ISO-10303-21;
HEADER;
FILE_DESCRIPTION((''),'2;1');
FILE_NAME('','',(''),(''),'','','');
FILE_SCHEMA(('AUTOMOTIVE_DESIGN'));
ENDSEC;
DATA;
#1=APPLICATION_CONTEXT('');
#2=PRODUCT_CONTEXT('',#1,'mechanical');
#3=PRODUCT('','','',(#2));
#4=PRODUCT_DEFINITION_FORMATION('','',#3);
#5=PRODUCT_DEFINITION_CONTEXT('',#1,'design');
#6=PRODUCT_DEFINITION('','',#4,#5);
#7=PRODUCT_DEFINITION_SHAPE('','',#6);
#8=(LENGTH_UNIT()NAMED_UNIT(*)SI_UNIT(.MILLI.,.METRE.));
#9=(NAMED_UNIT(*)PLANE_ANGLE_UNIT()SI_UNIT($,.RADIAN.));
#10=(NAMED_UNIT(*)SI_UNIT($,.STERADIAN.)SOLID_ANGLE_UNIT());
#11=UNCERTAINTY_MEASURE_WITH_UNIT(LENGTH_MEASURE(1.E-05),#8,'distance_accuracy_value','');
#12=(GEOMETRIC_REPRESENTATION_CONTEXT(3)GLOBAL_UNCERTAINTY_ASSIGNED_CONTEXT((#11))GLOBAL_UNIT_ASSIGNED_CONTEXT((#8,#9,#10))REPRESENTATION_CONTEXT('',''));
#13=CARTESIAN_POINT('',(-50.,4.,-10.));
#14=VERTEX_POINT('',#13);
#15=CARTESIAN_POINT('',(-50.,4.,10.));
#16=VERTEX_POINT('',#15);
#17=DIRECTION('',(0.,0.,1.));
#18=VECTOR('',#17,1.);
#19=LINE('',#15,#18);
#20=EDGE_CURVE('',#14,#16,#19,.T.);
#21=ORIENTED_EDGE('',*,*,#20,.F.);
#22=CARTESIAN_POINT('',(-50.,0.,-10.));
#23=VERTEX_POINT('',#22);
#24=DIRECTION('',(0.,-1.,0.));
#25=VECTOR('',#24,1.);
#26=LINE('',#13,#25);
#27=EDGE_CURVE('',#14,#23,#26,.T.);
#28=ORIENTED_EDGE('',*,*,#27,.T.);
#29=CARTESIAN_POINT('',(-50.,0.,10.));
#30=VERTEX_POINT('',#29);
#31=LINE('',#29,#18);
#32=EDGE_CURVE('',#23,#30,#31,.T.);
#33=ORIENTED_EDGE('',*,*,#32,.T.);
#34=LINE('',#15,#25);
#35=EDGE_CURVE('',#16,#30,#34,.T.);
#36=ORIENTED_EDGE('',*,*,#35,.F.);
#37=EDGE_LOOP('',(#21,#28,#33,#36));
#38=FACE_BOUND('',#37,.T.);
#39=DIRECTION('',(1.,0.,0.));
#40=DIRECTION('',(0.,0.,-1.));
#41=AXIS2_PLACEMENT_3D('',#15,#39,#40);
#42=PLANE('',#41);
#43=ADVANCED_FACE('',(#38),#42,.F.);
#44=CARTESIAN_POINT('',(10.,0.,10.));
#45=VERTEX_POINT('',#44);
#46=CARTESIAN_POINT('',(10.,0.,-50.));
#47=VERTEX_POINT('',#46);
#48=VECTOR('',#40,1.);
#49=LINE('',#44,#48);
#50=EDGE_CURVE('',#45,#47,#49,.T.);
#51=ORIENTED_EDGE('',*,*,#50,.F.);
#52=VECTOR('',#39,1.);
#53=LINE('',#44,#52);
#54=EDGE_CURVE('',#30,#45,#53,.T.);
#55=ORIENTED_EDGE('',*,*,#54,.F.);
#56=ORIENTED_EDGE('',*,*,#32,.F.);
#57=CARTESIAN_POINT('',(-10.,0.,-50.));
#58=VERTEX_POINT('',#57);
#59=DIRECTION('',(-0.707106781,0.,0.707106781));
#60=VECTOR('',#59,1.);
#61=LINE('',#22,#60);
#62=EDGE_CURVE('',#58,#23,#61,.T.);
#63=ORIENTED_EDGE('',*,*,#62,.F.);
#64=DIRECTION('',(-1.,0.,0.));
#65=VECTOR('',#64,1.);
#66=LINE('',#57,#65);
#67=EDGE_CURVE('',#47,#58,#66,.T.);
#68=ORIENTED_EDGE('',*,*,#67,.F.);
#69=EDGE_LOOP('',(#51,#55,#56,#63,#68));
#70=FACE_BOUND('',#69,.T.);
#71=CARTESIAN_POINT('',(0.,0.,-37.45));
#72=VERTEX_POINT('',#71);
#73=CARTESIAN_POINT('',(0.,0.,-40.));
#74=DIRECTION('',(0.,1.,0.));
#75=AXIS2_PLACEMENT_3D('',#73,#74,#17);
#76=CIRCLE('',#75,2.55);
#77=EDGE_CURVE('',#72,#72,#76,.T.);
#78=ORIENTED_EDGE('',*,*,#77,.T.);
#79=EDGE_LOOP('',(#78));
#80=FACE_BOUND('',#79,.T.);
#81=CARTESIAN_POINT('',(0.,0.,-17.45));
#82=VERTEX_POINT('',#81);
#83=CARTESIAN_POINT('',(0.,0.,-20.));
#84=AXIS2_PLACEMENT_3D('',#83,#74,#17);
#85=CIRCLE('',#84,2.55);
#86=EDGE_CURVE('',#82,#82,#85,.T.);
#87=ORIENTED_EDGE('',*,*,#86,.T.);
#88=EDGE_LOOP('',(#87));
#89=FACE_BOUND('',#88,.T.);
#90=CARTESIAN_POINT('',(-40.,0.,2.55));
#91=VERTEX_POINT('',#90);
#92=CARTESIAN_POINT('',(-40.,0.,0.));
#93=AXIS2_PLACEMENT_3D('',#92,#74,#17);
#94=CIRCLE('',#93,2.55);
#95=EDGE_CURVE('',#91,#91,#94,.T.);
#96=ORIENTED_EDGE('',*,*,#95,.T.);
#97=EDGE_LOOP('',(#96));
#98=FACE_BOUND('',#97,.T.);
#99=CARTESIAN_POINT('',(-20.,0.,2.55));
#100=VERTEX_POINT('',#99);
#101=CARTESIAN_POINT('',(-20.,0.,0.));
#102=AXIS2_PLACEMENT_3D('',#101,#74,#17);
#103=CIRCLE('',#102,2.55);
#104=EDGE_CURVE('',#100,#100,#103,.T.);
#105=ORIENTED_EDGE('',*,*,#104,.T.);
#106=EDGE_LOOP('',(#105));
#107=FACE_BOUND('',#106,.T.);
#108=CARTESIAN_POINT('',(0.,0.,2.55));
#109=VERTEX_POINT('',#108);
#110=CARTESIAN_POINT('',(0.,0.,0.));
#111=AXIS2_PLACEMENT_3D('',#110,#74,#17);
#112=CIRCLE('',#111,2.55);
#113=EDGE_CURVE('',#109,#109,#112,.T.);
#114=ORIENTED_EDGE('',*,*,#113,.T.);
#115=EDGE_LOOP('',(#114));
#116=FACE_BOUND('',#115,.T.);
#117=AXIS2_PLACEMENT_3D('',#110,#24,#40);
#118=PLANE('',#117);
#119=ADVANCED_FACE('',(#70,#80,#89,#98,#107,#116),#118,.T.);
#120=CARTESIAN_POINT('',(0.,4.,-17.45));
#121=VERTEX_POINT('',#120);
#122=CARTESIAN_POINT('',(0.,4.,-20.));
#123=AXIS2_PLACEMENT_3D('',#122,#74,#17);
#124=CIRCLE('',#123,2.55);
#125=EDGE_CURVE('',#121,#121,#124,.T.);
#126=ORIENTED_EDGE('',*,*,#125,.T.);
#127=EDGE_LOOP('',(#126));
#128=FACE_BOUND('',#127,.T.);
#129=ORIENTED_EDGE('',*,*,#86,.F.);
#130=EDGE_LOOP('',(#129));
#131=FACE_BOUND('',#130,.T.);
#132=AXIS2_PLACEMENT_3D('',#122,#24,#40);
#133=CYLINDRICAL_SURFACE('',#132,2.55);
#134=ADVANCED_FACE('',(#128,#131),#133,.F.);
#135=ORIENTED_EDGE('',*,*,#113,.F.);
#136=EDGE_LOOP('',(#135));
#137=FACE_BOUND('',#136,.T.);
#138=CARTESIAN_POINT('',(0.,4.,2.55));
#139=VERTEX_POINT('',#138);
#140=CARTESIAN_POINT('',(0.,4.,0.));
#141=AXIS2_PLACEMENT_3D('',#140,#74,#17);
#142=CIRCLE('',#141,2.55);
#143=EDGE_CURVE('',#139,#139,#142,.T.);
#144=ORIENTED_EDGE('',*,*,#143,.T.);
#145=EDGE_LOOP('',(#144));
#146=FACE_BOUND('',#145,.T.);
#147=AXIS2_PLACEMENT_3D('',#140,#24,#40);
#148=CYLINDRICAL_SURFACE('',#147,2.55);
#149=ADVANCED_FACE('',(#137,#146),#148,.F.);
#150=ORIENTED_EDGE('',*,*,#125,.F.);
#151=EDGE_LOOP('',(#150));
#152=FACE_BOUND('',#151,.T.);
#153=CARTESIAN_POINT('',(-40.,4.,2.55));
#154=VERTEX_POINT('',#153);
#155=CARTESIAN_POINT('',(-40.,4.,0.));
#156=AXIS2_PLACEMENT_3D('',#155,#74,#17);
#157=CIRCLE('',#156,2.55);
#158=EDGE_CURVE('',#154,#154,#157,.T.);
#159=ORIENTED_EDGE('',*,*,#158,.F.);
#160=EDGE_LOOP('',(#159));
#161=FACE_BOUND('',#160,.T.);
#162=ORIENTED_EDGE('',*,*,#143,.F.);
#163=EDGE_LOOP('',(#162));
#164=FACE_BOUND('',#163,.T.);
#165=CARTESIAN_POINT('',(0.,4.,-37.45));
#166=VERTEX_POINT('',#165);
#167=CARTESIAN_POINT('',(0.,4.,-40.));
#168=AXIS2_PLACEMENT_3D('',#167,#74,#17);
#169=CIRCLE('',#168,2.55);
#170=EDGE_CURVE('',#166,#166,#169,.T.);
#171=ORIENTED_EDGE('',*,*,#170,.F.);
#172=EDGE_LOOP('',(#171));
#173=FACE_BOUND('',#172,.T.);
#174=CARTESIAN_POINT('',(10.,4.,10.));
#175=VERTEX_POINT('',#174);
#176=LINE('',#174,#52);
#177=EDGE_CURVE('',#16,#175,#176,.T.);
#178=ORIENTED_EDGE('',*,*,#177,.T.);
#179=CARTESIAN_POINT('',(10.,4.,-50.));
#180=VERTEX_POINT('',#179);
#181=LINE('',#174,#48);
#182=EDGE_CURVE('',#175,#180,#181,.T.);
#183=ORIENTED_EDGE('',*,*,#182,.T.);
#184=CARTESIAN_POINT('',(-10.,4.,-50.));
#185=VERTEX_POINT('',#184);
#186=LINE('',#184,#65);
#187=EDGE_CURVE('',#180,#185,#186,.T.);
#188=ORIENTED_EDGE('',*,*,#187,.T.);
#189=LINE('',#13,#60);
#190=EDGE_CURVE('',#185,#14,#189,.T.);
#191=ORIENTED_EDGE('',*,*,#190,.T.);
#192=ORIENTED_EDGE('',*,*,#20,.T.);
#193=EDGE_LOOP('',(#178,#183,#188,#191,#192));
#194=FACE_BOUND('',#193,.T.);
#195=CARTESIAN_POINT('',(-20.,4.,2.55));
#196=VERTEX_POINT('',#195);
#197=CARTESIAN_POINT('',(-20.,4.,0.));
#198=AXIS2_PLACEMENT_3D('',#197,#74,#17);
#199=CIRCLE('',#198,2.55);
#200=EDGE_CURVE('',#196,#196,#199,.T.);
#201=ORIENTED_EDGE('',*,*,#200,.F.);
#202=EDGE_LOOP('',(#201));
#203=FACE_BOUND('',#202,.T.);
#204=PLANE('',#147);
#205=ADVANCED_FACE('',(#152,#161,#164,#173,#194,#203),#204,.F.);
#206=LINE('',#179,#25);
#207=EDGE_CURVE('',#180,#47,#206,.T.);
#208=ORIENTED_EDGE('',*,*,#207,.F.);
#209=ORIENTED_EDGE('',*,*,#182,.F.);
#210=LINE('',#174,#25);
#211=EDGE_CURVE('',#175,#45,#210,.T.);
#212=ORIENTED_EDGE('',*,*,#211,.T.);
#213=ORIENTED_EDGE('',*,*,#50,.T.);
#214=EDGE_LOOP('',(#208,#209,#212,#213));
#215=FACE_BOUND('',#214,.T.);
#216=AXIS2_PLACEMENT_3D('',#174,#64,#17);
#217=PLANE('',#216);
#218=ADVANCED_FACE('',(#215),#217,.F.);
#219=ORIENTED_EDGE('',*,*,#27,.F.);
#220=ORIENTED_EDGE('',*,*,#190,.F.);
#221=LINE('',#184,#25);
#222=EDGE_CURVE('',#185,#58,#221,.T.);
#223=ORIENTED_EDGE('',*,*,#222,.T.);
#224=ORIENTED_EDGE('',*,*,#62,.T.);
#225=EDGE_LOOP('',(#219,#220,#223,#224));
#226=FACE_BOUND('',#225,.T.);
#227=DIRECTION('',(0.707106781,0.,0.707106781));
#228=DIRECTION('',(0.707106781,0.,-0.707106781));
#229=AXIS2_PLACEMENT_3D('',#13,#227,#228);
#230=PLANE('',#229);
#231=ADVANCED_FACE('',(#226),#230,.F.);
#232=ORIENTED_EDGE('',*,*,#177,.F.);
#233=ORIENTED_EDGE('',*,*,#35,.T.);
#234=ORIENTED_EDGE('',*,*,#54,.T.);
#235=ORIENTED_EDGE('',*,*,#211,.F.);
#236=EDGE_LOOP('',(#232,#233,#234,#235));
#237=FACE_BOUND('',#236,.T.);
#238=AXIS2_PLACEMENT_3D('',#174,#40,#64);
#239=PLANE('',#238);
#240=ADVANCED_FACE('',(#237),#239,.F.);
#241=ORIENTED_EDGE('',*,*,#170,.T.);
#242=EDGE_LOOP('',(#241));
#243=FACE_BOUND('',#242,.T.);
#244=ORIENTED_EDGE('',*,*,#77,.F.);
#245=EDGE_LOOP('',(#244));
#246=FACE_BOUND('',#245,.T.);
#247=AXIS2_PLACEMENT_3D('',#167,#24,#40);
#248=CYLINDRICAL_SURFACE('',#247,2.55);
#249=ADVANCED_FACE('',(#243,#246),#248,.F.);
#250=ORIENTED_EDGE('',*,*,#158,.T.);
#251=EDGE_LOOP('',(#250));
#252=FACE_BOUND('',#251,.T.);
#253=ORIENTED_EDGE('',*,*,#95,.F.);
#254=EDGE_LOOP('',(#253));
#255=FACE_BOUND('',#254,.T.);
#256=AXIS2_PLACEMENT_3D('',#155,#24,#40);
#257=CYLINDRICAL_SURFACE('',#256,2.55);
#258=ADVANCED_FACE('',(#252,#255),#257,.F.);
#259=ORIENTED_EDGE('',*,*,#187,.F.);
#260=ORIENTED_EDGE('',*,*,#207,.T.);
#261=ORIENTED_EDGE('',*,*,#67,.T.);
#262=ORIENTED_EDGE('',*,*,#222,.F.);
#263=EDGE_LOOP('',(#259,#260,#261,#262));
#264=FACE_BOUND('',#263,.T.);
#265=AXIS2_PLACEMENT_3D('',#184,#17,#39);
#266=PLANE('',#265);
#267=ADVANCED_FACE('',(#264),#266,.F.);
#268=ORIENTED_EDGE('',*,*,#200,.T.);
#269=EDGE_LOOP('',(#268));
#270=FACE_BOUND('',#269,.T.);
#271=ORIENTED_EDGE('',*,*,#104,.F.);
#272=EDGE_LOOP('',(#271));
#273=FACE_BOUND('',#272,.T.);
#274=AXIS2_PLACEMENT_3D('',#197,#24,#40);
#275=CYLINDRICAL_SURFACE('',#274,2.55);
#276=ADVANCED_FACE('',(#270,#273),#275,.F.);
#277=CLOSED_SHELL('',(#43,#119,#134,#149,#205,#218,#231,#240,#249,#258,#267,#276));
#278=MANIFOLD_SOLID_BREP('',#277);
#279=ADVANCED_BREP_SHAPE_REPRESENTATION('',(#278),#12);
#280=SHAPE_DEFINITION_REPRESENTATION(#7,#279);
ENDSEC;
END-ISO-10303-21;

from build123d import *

# Parameters (mm, degrees)
SKETCH1_R           = 2.55
BOSS_EXTRUDE1_DEPTH = 4


with BuildPart() as part:
    # Sketch1 → Boss-Extrude1 (new body)
    with BuildSketch(Plane(origin=(0, 0, 0), x_dir=(1, 0, 0), z_dir=(0, 1, 0))):
        Polygon((10, -10), (-50, -10), (-50, 10), (-10, 50), (10, 50), align=None)
        with Locations((-20, 0)):
            Circle(SKETCH1_R, mode=Mode.SUBTRACT)
        with Locations((-40, 0)):
            Circle(SKETCH1_R, mode=Mode.SUBTRACT)
        Circle(SKETCH1_R, mode=Mode.SUBTRACT)
        with Locations((0, 20)):
            Circle(SKETCH1_R, mode=Mode.SUBTRACT)
        with Locations((0, 40)):
            Circle(SKETCH1_R, mode=Mode.SUBTRACT)
    extrude(amount=BOSS_EXTRUDE1_DEPTH)


solid = part.part
